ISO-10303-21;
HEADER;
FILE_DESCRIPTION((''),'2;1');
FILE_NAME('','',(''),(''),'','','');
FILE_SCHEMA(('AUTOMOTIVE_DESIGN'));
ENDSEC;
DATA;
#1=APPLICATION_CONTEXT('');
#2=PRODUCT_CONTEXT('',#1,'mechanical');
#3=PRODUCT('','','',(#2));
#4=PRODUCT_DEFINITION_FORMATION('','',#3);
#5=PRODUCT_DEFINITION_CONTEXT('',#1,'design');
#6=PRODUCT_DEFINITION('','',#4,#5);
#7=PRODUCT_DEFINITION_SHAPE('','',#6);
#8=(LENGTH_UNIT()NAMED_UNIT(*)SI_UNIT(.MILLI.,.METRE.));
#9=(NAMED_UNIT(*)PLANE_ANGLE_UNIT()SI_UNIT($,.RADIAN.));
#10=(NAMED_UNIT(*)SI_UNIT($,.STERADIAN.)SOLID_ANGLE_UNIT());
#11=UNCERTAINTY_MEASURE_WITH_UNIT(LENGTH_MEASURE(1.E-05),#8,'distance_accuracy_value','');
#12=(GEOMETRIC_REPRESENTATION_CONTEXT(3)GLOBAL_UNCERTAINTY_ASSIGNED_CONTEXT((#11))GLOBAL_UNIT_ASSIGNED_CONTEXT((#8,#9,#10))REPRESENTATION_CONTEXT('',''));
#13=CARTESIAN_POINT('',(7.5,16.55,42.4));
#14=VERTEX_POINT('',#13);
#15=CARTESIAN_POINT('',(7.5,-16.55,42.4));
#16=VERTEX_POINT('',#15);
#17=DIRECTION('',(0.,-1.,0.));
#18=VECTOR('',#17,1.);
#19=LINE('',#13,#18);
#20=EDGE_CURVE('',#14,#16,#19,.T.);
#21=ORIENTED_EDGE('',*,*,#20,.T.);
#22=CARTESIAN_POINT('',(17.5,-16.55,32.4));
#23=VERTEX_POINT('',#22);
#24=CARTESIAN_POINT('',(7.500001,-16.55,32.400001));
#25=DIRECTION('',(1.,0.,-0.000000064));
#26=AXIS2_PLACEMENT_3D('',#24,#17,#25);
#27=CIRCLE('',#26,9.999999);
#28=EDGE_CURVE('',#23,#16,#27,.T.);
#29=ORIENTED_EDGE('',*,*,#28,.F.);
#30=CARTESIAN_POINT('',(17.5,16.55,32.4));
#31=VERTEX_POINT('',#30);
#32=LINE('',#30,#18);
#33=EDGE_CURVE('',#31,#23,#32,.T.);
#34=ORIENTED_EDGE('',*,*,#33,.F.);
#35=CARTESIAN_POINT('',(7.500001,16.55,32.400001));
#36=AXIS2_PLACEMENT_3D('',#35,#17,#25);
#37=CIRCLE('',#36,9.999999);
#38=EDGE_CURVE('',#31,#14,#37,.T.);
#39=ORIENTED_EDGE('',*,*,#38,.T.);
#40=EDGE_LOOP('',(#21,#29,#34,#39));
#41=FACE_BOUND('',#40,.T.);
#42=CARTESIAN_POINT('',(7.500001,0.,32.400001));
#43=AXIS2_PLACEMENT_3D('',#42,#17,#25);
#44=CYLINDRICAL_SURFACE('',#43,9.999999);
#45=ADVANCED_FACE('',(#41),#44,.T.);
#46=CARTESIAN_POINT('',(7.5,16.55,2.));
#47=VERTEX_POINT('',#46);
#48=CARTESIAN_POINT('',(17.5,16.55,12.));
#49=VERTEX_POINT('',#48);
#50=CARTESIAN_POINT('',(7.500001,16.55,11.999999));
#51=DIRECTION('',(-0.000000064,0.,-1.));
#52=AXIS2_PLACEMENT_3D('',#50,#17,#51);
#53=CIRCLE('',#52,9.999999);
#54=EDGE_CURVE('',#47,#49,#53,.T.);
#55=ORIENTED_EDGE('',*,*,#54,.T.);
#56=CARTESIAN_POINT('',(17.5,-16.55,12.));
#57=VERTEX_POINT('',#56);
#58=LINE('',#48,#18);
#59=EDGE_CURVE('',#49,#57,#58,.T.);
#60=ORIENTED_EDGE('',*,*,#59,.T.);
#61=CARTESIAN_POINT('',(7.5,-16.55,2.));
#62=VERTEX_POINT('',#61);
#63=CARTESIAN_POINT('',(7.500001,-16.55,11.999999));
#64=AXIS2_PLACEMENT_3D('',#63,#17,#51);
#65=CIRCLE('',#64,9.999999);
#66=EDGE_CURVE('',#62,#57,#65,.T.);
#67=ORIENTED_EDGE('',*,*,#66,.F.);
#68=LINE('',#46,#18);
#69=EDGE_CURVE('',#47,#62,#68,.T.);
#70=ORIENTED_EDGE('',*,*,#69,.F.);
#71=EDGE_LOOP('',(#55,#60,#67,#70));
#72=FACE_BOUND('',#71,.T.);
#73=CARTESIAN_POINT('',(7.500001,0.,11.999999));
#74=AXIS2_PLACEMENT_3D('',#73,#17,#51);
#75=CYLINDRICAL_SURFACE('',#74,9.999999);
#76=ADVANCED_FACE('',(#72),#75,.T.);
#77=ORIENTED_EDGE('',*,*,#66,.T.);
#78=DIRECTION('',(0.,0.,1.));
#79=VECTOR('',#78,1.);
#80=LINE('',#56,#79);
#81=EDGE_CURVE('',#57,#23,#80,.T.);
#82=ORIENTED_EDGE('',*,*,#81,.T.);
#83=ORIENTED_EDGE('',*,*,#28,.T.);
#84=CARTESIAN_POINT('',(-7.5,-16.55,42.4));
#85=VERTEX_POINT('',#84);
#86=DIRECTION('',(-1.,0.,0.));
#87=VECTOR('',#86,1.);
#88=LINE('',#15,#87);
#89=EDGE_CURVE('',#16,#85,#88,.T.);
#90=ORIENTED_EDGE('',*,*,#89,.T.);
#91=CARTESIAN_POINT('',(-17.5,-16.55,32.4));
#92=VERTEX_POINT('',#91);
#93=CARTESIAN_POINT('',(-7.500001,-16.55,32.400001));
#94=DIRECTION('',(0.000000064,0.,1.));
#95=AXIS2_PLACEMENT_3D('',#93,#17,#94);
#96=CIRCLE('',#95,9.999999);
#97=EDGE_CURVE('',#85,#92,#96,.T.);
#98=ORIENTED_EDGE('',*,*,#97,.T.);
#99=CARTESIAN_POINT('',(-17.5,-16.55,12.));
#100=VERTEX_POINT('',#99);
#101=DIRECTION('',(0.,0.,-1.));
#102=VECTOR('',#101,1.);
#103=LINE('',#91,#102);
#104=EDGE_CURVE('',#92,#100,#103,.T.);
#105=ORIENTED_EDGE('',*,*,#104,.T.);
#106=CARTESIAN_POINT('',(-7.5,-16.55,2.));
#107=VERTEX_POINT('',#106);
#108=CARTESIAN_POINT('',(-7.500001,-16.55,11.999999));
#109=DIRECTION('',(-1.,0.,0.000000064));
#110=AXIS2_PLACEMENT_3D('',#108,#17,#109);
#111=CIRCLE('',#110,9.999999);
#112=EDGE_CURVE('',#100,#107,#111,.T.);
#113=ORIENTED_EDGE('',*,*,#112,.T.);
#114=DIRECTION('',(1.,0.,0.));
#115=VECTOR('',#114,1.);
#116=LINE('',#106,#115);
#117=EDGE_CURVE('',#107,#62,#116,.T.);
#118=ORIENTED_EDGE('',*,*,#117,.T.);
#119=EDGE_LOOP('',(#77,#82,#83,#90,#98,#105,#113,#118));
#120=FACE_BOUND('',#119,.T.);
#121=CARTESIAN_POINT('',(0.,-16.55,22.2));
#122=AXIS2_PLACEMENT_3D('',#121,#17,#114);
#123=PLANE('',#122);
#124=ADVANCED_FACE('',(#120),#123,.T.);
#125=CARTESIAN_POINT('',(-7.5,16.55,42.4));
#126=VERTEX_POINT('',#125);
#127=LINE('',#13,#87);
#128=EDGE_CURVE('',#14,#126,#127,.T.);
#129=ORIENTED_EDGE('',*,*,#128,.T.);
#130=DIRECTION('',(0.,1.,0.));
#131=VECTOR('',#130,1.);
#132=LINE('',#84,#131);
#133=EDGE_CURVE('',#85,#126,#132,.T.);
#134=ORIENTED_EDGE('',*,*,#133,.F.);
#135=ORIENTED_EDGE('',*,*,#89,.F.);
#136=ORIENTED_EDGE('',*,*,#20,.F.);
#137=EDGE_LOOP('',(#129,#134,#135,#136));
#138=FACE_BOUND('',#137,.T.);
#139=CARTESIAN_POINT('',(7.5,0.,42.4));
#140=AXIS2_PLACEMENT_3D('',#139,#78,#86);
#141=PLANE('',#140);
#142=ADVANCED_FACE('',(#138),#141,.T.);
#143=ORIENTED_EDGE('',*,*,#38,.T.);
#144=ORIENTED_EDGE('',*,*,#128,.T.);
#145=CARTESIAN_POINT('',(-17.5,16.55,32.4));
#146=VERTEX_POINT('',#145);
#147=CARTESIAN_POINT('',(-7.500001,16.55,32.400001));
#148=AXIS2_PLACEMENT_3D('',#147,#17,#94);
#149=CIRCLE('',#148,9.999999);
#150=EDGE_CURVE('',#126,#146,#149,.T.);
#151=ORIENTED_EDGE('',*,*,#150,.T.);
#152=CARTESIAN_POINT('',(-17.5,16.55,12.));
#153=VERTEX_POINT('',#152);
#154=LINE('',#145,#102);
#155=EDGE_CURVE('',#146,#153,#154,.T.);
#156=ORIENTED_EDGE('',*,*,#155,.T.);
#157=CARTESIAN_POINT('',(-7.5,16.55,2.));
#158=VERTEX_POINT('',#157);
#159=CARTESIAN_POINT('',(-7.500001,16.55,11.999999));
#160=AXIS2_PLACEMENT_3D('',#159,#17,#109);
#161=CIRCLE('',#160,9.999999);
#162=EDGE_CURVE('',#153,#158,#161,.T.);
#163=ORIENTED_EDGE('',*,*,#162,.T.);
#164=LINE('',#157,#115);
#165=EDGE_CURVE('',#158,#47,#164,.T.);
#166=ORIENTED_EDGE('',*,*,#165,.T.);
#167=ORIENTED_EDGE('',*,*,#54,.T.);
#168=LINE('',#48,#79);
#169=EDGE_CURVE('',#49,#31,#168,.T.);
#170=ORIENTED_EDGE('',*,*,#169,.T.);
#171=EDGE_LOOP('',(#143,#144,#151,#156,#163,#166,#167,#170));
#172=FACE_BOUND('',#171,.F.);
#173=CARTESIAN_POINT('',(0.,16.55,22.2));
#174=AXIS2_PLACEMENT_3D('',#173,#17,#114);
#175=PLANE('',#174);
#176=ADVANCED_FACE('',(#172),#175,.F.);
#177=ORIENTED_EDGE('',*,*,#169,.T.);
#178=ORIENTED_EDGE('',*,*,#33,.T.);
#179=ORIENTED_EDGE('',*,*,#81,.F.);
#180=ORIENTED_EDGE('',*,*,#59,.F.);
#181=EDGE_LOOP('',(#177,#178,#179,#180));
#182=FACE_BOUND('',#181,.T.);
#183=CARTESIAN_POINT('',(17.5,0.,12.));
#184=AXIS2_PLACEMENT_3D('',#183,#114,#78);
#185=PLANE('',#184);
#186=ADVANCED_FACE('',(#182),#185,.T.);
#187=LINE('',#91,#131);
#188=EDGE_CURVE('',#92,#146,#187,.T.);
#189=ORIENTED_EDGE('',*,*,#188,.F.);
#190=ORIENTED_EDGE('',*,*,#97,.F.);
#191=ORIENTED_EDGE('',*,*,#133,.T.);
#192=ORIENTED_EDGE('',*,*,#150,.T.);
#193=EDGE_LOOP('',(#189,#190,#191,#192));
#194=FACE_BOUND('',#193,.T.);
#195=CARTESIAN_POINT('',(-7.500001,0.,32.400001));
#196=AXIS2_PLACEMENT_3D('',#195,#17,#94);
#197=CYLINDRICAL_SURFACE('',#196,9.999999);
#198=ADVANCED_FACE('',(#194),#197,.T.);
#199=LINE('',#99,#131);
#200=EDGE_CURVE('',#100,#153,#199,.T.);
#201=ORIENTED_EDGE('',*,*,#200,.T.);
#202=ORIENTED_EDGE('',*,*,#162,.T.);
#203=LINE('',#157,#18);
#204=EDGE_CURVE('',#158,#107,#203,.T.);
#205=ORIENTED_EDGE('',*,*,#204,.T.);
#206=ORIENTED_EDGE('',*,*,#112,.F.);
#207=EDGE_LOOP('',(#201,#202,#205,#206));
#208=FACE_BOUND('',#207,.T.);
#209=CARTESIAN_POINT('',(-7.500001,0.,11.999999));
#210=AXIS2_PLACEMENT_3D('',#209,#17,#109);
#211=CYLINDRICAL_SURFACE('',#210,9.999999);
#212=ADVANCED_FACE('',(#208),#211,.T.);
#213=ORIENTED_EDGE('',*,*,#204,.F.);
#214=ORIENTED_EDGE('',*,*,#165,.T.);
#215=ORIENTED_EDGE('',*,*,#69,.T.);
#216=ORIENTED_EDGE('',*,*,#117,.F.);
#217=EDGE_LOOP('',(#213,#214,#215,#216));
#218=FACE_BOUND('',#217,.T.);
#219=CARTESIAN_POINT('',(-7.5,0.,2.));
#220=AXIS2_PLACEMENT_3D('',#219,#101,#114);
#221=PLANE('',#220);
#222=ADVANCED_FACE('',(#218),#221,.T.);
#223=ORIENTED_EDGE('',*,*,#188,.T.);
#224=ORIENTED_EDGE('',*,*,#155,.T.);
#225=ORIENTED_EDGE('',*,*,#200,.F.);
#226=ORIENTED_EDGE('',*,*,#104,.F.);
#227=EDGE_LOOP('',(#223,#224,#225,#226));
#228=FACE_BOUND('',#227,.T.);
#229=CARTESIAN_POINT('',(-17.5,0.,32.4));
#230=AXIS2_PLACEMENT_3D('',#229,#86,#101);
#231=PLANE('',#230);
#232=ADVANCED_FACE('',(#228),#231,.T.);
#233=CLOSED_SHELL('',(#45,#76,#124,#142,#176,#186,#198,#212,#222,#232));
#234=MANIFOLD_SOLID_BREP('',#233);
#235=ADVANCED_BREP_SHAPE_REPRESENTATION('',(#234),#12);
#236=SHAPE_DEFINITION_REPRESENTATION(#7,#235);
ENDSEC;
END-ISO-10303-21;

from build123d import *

# Parameters (mm, degrees)
F1_DEPTH = 16.55


with BuildPart() as f1:
    # F0 (on Front) → F1 (new body, symmetric)
    with BuildSketch(Plane.XZ):
        with BuildLine():
            ThreePointArc((-17.5, 12), (-14.571068, 4.928932), (-7.5, 2))
            Line((-7.5, 2), (7.5, 2))
            ThreePointArc((7.5, 2), (14.571068, 4.928932), (17.5, 12))
            Line((17.5, 12), (17.5, 32.4))
            ThreePointArc((17.5, 32.4), (14.571068, 39.471068), (7.5, 42.4))
            Line((7.5, 42.4), (-7.5, 42.4))
            ThreePointArc((-7.5, 42.4), (-14.571068, 39.471068), (-17.5, 32.4))
            Line((-17.5, 32.4), (-17.5, 12))
        make_face()
    extrude(amount=F1_DEPTH, both=True)


solid = f1.part
